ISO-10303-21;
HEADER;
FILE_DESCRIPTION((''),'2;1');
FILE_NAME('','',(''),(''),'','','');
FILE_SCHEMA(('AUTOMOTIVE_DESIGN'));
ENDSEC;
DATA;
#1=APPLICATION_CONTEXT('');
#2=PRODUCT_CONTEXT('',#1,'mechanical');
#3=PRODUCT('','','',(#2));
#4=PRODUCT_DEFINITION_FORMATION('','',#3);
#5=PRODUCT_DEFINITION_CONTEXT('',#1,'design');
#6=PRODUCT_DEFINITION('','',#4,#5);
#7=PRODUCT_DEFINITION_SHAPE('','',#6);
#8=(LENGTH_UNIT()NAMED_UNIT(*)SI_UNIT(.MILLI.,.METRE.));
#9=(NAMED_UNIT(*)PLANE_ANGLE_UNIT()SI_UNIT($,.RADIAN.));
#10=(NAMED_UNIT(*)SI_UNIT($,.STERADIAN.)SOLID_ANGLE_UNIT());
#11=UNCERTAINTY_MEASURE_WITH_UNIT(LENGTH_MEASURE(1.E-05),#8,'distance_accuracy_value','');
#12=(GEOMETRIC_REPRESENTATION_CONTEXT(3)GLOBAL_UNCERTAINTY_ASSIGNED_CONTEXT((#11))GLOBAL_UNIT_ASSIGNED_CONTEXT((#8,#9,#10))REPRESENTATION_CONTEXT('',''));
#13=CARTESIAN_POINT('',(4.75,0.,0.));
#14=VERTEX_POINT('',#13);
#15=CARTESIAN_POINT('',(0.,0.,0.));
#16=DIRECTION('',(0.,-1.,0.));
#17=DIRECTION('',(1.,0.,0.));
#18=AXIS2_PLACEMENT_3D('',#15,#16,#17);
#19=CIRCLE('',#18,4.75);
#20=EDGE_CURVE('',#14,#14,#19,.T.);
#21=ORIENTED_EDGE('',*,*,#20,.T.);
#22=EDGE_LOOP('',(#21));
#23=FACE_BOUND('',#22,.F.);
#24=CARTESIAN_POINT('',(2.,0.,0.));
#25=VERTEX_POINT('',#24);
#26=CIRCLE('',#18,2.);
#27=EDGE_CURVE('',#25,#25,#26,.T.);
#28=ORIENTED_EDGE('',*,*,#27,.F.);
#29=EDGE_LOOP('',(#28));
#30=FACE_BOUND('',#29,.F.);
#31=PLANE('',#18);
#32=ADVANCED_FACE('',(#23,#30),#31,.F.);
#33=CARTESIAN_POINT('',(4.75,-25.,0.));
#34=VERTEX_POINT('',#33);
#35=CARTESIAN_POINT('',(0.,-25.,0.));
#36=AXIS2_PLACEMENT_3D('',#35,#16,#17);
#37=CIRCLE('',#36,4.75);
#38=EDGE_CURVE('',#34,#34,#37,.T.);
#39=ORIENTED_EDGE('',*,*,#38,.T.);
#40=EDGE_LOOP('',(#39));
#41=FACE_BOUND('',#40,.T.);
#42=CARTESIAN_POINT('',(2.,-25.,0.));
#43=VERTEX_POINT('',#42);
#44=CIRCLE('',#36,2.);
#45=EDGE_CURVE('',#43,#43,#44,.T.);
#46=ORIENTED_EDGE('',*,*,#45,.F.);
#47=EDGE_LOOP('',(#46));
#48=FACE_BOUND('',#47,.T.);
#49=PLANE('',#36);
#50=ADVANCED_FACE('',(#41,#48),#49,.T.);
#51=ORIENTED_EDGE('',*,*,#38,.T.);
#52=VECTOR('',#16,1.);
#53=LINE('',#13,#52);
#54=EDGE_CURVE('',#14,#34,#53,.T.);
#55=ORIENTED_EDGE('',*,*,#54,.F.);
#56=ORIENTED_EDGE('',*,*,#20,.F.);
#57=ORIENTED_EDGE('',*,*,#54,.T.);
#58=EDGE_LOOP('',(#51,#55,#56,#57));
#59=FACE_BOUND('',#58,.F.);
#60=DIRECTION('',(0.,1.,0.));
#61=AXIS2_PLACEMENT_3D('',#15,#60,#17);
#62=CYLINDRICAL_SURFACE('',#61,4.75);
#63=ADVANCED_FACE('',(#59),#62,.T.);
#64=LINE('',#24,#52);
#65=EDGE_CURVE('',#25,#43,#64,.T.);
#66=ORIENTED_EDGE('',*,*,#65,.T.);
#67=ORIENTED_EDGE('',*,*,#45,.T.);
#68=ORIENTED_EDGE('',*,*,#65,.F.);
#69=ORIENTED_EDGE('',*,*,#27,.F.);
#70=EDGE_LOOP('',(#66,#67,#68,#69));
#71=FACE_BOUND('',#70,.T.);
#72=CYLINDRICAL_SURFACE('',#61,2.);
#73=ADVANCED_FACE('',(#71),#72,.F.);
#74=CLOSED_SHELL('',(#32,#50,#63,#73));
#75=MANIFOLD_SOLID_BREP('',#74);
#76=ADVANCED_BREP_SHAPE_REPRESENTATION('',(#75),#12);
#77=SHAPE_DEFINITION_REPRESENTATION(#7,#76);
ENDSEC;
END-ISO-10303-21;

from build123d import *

# Parameters (mm, degrees)
F1_R     = 4.75
F1_R_2   = 2
F2_DEPTH = 25


with BuildPart() as f2:
    # F1 (on face) → F2 (new body)
    with BuildSketch(Plane.XZ):
        Circle(F1_R)
        Circle(F1_R_2, mode=Mode.SUBTRACT)
    extrude(amount=F2_DEPTH)


solid = f2.part
